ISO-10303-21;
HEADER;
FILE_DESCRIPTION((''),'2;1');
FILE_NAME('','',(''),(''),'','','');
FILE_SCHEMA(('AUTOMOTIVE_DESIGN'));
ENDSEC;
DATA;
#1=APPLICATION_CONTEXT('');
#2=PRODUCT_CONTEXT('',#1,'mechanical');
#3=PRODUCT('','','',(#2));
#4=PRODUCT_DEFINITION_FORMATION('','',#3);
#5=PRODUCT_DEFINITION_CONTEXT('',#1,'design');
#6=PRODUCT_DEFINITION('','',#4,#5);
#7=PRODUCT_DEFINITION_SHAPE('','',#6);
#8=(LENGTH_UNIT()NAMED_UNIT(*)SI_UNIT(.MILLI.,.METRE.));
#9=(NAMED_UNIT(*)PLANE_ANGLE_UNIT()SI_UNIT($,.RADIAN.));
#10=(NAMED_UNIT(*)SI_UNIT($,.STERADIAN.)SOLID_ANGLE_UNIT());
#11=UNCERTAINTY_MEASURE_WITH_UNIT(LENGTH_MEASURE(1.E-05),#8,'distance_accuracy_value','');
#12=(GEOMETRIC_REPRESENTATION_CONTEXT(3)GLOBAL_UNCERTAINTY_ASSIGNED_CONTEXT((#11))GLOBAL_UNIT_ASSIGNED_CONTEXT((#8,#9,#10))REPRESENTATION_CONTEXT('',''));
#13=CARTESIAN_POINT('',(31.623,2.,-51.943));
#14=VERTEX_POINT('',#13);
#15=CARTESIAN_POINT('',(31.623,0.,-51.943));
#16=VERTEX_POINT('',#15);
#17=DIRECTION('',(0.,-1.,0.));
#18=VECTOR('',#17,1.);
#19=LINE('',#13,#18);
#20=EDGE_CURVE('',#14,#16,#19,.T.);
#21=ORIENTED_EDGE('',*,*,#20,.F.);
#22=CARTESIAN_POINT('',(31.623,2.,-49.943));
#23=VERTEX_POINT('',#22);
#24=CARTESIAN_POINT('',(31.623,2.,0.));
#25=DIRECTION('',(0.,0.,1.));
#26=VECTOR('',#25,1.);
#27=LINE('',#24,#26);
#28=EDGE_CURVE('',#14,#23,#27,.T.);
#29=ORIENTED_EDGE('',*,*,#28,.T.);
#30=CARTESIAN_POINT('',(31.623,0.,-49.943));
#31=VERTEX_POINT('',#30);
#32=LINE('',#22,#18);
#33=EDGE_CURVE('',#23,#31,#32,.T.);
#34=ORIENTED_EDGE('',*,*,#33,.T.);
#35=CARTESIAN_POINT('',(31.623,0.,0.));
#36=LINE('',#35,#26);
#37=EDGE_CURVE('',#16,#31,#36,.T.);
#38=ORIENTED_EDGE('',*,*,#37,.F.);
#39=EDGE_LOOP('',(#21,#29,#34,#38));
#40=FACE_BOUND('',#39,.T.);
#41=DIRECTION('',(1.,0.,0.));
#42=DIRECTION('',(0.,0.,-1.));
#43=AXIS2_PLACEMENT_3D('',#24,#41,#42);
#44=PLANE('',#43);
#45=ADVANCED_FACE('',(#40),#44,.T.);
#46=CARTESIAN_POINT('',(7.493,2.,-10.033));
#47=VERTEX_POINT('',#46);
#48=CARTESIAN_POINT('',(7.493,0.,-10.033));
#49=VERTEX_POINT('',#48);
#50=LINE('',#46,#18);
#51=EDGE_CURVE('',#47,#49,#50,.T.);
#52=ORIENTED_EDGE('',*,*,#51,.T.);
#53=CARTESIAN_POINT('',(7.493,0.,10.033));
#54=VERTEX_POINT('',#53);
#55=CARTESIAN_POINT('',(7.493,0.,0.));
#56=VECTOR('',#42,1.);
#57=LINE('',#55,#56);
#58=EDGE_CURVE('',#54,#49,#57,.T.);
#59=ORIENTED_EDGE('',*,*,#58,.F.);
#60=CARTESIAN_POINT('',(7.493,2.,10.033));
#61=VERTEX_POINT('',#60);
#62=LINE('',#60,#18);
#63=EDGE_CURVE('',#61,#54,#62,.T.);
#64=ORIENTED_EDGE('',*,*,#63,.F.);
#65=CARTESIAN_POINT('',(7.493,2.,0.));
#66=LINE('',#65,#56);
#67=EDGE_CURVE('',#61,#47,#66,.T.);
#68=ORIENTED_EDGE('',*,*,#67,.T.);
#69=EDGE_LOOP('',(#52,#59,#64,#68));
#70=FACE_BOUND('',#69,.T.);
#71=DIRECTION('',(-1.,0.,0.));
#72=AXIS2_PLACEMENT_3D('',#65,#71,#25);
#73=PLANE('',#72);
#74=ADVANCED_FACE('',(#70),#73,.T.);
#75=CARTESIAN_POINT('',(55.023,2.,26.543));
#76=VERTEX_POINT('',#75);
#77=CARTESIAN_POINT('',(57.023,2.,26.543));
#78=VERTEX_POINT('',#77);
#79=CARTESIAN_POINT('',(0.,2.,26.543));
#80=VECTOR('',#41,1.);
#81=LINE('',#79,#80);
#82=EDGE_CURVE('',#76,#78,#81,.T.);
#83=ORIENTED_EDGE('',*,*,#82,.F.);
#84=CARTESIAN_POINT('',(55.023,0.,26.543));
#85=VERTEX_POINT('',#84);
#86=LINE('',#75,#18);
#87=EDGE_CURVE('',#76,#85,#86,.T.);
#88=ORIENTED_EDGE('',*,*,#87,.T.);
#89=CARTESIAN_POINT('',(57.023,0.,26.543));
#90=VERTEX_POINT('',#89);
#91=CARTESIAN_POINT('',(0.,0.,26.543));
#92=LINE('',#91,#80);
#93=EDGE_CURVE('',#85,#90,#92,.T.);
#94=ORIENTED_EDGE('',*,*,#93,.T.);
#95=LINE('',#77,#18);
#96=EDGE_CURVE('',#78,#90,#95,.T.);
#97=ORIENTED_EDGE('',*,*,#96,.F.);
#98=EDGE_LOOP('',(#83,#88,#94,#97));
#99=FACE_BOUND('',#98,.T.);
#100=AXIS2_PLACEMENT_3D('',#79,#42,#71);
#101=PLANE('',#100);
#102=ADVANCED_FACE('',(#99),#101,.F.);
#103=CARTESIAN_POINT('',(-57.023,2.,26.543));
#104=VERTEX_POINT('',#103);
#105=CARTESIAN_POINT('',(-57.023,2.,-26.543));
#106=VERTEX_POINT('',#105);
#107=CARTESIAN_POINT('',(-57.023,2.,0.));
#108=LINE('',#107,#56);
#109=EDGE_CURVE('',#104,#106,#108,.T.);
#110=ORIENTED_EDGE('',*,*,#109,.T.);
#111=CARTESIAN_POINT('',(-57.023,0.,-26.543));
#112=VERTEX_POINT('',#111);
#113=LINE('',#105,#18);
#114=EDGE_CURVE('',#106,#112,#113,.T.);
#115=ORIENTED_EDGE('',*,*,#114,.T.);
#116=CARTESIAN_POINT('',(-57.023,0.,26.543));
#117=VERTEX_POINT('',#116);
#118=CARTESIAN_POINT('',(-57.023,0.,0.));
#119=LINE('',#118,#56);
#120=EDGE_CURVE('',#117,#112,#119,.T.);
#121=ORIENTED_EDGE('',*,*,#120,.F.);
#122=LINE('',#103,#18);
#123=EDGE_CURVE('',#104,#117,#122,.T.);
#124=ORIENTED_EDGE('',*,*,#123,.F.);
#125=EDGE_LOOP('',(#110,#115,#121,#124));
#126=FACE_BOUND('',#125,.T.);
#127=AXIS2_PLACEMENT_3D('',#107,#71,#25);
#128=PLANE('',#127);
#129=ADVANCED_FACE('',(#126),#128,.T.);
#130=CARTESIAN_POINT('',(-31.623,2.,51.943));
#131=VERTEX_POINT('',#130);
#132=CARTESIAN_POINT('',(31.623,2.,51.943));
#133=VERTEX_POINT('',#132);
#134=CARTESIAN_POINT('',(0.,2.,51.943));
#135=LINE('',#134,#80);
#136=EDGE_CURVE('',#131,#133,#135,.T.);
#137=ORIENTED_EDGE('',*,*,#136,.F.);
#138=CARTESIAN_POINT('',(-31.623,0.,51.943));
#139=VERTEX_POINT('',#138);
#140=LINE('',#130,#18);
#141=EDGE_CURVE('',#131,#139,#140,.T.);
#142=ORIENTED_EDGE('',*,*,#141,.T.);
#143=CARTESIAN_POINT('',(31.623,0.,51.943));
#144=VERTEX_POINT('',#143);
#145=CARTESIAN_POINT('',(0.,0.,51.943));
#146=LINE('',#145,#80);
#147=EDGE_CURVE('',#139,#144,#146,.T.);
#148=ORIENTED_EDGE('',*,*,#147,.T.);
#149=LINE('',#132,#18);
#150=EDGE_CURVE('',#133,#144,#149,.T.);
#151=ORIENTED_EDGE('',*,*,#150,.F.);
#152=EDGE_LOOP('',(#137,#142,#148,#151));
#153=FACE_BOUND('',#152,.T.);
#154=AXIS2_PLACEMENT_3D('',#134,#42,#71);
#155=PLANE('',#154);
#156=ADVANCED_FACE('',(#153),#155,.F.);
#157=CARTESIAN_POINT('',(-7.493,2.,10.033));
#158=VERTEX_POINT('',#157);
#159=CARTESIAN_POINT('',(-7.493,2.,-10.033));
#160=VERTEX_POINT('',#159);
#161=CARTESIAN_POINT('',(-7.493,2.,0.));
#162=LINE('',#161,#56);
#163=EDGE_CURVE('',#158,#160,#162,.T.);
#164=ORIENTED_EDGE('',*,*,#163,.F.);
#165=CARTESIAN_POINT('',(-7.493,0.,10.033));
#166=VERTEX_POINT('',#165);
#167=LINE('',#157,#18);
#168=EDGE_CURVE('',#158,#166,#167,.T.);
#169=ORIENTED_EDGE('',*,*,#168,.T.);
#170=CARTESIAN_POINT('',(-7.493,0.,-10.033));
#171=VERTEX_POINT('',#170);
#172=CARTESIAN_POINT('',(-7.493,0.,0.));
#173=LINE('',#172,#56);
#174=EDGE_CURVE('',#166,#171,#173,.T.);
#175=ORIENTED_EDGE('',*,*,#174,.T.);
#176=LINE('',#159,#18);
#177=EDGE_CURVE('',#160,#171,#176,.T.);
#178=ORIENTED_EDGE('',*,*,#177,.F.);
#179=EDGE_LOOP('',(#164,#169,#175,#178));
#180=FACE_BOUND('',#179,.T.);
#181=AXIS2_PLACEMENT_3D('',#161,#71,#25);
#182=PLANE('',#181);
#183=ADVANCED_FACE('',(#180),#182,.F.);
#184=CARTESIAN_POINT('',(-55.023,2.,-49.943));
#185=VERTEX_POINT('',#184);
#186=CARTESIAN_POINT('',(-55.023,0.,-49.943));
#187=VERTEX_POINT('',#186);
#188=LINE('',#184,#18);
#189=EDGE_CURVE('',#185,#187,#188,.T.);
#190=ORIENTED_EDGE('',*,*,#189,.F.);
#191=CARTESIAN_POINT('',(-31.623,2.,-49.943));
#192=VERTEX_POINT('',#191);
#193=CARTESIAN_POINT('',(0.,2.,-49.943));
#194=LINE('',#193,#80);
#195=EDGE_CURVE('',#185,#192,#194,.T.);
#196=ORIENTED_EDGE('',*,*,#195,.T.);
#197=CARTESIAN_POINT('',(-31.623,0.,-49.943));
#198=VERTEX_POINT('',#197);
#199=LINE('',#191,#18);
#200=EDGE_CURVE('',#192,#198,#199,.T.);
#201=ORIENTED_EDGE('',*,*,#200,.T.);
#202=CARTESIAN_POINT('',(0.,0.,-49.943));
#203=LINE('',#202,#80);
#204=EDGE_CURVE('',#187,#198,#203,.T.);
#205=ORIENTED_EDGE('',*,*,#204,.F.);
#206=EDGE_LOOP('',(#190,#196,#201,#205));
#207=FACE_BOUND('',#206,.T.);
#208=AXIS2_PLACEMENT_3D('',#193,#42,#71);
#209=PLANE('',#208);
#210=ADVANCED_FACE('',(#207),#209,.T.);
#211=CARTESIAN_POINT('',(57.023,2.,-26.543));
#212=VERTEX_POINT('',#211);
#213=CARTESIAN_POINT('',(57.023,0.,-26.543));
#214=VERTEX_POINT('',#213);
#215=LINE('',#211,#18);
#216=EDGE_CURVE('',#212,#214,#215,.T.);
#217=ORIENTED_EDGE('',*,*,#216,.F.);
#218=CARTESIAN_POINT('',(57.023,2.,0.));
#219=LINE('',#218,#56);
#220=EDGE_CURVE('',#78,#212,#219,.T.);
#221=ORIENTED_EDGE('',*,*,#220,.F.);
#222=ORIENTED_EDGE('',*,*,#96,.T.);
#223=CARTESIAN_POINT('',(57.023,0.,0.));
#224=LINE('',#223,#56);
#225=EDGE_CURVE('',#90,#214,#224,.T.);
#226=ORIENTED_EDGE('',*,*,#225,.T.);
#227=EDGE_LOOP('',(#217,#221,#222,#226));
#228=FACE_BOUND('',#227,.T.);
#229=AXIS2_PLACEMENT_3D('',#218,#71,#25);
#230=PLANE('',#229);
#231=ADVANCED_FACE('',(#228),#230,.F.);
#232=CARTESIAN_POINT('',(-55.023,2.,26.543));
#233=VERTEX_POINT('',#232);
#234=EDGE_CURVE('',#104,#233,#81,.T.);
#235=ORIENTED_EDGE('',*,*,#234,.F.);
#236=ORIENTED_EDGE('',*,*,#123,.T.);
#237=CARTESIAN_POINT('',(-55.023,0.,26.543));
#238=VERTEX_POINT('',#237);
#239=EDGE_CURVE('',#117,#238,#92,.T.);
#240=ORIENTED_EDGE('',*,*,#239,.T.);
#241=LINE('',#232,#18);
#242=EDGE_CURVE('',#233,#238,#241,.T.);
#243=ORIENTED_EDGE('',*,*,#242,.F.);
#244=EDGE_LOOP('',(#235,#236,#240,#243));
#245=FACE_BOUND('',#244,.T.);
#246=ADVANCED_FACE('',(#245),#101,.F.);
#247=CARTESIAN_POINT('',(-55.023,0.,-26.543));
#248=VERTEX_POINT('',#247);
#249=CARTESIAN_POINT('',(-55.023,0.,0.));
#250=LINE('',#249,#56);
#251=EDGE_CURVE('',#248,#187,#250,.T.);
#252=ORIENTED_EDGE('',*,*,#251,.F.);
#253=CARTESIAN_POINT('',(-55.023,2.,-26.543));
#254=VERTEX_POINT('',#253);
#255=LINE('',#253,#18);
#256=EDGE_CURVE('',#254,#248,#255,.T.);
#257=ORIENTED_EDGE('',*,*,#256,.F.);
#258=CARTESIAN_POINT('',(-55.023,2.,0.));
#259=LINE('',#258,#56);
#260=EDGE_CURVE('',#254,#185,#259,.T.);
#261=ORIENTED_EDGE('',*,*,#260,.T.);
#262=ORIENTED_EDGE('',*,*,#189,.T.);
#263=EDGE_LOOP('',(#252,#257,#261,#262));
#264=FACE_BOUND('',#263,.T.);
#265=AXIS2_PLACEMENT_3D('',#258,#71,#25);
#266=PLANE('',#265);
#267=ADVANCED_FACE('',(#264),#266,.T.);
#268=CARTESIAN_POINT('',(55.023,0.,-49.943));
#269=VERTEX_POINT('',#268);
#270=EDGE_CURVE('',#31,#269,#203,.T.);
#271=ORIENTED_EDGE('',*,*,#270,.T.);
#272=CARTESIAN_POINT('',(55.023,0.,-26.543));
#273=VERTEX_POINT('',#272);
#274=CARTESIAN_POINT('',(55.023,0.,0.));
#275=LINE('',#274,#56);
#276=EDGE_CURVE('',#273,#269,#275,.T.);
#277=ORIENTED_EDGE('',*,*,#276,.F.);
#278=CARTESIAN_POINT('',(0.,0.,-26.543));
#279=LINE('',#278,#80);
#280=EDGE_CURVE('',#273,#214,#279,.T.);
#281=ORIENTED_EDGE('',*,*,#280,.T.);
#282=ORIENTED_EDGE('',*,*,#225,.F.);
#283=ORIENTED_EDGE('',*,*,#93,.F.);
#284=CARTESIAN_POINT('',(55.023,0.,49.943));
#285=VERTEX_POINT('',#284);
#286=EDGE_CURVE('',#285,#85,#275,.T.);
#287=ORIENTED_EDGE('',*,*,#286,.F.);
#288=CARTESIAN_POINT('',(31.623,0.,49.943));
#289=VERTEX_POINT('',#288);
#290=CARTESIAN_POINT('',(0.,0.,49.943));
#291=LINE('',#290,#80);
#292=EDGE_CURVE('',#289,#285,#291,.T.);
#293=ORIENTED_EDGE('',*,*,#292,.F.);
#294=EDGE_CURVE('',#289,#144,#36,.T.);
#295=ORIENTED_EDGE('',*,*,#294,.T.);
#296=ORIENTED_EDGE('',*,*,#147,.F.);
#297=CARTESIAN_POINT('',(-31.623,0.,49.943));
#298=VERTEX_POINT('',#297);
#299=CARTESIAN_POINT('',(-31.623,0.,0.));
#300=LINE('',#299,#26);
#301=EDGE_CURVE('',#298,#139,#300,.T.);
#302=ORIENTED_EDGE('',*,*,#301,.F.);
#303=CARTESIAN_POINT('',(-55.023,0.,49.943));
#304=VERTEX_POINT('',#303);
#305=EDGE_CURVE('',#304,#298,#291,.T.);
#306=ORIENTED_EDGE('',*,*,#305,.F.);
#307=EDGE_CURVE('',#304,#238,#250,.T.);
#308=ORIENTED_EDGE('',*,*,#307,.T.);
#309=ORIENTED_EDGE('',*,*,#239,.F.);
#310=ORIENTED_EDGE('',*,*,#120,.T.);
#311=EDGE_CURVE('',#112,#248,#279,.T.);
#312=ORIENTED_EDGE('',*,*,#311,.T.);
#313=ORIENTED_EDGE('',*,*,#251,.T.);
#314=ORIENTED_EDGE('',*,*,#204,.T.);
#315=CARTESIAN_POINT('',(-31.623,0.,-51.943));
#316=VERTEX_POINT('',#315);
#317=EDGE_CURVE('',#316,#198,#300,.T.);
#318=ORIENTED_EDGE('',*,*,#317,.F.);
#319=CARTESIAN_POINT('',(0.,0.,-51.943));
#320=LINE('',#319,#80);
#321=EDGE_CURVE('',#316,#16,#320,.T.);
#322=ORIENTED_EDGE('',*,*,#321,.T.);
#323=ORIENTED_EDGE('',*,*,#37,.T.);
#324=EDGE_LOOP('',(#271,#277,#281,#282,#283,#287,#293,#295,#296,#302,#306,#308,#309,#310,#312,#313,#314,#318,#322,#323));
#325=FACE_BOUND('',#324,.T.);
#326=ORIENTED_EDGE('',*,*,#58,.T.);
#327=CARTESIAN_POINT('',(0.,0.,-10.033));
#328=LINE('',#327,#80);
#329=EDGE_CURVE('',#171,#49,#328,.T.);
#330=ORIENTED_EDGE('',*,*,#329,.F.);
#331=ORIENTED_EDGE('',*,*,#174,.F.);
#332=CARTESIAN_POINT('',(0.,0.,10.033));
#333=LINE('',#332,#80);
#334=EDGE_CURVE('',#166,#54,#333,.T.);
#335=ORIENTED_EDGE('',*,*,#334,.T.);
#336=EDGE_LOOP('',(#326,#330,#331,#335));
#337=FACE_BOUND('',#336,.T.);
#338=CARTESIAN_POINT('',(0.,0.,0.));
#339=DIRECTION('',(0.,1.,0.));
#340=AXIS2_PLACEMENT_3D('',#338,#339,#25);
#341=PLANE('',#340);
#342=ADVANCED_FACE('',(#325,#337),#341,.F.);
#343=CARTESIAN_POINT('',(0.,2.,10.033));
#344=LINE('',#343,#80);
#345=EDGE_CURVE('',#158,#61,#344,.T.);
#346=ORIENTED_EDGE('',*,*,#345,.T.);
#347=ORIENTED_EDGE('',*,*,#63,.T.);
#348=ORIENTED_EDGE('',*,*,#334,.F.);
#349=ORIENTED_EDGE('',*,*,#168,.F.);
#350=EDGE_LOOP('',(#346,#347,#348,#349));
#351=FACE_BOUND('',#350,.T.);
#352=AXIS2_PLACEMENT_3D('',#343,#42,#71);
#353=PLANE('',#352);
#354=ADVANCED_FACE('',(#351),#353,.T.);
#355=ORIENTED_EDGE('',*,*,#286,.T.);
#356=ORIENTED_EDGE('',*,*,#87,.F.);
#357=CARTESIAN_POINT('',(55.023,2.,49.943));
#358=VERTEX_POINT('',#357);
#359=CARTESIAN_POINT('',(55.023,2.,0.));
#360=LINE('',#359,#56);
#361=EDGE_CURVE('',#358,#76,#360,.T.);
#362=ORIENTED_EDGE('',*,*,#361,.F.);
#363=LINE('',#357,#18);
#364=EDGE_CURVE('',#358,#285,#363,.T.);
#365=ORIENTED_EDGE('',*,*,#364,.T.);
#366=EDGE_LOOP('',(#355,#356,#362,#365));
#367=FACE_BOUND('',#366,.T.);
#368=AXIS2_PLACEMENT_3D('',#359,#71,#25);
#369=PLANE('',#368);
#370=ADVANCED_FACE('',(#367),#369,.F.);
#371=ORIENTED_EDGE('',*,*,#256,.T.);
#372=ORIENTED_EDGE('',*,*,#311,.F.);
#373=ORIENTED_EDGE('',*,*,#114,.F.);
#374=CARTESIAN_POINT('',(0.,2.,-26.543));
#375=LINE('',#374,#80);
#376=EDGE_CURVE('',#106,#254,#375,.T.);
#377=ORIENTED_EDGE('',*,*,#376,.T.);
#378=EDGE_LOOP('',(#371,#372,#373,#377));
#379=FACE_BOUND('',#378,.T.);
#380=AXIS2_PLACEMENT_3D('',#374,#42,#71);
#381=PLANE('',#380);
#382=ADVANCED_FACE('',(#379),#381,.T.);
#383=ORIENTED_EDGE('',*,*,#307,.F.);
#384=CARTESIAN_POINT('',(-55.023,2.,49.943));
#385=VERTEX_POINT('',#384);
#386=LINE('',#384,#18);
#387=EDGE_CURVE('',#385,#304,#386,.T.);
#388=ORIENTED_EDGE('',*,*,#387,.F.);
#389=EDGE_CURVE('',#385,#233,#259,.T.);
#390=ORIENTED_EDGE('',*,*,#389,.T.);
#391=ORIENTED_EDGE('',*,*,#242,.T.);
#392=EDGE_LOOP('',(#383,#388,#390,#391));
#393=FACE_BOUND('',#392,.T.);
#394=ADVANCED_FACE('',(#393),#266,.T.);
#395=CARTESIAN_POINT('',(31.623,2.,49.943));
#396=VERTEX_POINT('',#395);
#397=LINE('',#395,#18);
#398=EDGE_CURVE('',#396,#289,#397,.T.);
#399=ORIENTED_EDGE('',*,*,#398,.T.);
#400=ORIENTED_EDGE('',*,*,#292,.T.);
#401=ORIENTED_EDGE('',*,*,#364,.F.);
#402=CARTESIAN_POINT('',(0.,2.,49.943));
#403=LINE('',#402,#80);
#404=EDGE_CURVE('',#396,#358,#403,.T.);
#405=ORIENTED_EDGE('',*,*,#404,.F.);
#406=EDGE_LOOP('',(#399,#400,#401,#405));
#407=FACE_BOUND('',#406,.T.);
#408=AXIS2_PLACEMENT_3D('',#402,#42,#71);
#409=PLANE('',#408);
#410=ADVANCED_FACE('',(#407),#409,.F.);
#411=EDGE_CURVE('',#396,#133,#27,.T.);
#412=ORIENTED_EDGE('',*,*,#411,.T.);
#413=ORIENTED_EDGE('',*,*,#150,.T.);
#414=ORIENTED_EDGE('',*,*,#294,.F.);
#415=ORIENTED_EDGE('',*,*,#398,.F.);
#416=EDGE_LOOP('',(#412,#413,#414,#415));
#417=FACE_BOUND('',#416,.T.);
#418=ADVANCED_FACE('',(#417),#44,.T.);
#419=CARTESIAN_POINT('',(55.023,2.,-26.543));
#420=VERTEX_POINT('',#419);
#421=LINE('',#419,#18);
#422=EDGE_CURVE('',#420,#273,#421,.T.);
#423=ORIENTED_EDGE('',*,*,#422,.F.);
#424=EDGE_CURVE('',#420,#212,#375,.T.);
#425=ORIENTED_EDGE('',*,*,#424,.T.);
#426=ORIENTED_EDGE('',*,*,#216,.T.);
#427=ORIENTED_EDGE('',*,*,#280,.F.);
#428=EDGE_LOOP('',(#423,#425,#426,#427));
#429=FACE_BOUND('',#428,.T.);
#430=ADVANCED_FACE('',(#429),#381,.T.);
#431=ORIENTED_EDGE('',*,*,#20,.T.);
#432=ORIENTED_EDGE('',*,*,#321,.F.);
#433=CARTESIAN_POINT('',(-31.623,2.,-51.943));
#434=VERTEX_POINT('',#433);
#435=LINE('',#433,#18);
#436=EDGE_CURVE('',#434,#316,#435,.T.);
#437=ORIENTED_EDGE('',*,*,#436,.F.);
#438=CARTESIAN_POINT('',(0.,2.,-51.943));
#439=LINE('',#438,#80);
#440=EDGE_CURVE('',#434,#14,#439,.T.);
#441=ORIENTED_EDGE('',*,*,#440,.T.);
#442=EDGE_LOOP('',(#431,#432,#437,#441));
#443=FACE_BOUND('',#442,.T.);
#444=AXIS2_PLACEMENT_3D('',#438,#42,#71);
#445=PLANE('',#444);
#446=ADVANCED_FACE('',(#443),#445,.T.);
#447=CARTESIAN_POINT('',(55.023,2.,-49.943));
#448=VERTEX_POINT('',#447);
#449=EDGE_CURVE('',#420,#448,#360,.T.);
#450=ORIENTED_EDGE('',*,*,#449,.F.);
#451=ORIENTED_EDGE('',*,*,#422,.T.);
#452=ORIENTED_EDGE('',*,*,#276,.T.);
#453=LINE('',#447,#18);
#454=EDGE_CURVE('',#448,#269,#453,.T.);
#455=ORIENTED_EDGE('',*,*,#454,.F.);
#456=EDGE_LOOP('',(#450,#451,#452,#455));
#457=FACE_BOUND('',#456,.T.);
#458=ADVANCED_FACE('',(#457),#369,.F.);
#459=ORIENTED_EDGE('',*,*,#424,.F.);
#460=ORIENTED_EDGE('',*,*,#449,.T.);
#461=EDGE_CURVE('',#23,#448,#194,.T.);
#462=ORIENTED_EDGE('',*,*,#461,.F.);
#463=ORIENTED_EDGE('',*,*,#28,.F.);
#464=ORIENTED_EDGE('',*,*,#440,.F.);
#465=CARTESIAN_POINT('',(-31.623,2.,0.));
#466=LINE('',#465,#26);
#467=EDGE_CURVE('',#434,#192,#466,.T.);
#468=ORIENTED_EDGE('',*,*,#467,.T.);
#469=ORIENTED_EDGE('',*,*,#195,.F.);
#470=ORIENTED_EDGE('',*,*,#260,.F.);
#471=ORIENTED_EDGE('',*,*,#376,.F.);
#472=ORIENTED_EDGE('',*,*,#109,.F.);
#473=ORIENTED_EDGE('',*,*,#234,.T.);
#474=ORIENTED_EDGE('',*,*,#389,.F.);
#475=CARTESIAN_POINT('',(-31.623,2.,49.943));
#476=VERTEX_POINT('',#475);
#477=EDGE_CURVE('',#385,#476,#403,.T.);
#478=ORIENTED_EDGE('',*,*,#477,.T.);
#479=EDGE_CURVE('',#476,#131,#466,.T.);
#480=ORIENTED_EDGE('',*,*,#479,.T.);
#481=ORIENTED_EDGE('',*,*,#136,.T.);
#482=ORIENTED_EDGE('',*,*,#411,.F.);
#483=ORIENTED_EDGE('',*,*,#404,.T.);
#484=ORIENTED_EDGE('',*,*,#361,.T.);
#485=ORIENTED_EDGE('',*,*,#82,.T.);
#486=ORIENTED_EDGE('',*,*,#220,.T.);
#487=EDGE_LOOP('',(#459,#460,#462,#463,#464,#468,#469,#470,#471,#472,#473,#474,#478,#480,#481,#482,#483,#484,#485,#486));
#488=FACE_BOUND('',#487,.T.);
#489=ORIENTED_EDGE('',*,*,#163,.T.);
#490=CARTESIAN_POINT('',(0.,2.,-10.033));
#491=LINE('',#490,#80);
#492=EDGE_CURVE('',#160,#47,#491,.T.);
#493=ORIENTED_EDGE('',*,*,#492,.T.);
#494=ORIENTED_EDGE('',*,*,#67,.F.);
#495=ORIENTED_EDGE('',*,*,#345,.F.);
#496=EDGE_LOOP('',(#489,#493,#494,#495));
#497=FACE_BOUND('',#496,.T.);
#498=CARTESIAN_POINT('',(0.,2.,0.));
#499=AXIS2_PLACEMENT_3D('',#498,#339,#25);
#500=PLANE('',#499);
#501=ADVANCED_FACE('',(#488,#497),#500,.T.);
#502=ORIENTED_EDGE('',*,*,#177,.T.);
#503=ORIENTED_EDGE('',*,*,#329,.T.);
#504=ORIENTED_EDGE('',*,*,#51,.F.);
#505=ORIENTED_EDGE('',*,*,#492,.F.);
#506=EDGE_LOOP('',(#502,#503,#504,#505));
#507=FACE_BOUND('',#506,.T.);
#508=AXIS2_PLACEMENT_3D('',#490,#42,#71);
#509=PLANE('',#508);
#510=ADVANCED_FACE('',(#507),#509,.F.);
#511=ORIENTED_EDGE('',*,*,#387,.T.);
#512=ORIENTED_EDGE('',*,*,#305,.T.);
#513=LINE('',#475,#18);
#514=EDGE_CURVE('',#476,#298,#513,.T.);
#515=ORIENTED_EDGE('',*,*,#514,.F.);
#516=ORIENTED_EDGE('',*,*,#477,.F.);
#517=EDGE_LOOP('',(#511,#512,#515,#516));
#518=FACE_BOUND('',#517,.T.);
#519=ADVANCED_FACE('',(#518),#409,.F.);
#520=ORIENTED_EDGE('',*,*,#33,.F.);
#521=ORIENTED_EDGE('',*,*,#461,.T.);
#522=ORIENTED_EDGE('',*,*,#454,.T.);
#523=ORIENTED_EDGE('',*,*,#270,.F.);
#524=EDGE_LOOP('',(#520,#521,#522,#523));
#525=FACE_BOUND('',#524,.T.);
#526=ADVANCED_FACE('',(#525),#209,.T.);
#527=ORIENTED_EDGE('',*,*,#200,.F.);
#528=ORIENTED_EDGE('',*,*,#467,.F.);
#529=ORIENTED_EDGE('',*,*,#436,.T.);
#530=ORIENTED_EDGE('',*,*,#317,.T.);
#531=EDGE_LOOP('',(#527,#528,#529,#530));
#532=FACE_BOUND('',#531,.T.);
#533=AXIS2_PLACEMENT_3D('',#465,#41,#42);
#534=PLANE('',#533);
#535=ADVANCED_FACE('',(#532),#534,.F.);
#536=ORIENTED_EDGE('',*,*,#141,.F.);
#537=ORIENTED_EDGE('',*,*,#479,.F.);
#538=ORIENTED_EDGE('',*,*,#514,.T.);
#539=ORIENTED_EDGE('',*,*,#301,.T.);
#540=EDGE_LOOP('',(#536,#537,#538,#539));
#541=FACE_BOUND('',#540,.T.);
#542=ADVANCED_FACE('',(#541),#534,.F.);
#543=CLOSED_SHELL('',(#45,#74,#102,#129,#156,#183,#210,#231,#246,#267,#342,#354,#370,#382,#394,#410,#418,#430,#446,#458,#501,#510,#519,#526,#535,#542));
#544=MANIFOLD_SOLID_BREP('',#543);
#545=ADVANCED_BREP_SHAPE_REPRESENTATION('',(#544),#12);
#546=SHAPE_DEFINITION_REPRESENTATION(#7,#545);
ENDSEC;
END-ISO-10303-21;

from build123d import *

# Parameters (mm, degrees)
SKETCH1_W           = 14.986
SKETCH1_H           = 20.066
BOSS_EXTRUDE1_DEPTH = 2


with BuildPart() as part:
    # Sketch1 → Boss-Extrude1 (new body)
    with BuildSketch(Plane(origin=(0, 0, 0), x_dir=(1, 0, 0), z_dir=(0, 1, 0))):
        Polygon((-55.023, 49.943), (-31.623, 49.943), (-31.623, 51.943), (31.623, 51.943), (31.623, 49.943), (55.023, 49.943), (55.023, 26.543), (57.023, 26.543), (57.023, -26.543), (55.023, -26.543), (55.023, -49.943), (31.623, -49.943), (31.623, -51.943), (-31.623, -51.943), (-31.623, -49.943), (-55.023, -49.943), (-55.023, -26.543), (-57.023, -26.543), (-57.023, 26.543), (-55.023, 26.543), align=None)
        Rectangle(SKETCH1_W, SKETCH1_H, mode=Mode.SUBTRACT)
    extrude(amount=BOSS_EXTRUDE1_DEPTH)


solid = part.part
